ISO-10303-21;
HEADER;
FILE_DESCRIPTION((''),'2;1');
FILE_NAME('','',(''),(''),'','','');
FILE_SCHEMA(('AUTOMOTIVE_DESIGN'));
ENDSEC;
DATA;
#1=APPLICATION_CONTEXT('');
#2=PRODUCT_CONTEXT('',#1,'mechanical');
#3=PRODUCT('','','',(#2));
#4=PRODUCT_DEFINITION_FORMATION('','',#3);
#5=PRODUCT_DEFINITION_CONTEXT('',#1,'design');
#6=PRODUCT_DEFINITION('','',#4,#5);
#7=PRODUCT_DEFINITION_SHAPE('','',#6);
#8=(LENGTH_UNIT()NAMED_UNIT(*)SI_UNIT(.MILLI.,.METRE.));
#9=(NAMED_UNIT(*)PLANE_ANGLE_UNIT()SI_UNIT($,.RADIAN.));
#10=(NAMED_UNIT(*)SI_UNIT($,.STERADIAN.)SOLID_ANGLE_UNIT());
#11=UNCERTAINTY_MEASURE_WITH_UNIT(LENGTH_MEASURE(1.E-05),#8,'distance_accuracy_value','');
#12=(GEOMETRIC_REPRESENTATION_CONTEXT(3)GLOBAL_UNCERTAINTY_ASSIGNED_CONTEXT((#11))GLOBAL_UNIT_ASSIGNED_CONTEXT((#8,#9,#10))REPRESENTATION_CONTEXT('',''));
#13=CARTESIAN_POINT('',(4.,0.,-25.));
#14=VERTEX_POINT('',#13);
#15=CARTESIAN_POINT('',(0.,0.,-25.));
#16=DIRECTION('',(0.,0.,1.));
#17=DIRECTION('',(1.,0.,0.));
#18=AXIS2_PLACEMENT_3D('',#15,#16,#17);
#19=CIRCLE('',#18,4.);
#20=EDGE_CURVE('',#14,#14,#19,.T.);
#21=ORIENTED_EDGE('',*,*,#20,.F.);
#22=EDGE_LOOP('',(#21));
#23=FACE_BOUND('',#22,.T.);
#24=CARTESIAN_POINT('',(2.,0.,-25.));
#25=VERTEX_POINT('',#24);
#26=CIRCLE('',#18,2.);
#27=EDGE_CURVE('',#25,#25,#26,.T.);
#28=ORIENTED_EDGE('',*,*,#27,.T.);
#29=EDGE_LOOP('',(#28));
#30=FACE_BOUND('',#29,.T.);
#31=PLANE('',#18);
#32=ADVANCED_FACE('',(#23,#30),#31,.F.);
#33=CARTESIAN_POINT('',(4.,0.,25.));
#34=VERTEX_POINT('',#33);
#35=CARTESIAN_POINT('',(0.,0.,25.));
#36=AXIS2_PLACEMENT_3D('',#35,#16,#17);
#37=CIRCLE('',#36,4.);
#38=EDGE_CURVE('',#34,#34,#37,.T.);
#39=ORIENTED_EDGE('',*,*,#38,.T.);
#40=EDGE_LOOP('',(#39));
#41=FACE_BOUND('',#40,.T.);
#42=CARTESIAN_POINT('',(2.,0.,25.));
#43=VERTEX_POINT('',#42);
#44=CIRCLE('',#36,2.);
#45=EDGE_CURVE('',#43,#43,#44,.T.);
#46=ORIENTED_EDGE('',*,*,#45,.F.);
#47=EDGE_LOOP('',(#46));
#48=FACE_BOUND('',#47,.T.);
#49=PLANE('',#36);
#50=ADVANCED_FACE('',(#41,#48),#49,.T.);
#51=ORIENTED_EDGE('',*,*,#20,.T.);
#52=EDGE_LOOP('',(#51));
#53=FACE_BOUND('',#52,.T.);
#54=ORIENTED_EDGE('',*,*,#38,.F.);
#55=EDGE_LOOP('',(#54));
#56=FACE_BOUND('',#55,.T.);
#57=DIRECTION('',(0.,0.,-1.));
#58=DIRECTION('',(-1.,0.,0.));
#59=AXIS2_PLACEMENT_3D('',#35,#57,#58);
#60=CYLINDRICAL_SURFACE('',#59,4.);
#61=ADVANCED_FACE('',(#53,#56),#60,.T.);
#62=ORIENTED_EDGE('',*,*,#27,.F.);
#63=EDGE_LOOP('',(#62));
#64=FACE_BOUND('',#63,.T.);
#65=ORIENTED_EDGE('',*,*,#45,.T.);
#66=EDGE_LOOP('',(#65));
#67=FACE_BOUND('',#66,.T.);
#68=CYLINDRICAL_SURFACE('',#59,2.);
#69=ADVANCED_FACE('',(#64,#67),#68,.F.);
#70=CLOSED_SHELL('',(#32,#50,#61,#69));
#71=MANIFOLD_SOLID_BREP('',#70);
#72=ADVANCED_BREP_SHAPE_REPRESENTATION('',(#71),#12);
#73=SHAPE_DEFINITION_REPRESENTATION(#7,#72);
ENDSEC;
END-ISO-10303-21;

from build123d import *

# Parameters (mm, degrees)
SKETCH_1_R      = 4
SKETCH_1_R_2    = 2
EXTRUDE_1_DEPTH = 25


with BuildPart() as part:
    # 草图1 → 凸台-拉伸1 (new, symmetric)
    with BuildSketch(Plane.XY):
        Circle(SKETCH_1_R)
        Circle(SKETCH_1_R_2, mode=Mode.SUBTRACT)
    extrude(amount=EXTRUDE_1_DEPTH, both=True)


solid = part.part
